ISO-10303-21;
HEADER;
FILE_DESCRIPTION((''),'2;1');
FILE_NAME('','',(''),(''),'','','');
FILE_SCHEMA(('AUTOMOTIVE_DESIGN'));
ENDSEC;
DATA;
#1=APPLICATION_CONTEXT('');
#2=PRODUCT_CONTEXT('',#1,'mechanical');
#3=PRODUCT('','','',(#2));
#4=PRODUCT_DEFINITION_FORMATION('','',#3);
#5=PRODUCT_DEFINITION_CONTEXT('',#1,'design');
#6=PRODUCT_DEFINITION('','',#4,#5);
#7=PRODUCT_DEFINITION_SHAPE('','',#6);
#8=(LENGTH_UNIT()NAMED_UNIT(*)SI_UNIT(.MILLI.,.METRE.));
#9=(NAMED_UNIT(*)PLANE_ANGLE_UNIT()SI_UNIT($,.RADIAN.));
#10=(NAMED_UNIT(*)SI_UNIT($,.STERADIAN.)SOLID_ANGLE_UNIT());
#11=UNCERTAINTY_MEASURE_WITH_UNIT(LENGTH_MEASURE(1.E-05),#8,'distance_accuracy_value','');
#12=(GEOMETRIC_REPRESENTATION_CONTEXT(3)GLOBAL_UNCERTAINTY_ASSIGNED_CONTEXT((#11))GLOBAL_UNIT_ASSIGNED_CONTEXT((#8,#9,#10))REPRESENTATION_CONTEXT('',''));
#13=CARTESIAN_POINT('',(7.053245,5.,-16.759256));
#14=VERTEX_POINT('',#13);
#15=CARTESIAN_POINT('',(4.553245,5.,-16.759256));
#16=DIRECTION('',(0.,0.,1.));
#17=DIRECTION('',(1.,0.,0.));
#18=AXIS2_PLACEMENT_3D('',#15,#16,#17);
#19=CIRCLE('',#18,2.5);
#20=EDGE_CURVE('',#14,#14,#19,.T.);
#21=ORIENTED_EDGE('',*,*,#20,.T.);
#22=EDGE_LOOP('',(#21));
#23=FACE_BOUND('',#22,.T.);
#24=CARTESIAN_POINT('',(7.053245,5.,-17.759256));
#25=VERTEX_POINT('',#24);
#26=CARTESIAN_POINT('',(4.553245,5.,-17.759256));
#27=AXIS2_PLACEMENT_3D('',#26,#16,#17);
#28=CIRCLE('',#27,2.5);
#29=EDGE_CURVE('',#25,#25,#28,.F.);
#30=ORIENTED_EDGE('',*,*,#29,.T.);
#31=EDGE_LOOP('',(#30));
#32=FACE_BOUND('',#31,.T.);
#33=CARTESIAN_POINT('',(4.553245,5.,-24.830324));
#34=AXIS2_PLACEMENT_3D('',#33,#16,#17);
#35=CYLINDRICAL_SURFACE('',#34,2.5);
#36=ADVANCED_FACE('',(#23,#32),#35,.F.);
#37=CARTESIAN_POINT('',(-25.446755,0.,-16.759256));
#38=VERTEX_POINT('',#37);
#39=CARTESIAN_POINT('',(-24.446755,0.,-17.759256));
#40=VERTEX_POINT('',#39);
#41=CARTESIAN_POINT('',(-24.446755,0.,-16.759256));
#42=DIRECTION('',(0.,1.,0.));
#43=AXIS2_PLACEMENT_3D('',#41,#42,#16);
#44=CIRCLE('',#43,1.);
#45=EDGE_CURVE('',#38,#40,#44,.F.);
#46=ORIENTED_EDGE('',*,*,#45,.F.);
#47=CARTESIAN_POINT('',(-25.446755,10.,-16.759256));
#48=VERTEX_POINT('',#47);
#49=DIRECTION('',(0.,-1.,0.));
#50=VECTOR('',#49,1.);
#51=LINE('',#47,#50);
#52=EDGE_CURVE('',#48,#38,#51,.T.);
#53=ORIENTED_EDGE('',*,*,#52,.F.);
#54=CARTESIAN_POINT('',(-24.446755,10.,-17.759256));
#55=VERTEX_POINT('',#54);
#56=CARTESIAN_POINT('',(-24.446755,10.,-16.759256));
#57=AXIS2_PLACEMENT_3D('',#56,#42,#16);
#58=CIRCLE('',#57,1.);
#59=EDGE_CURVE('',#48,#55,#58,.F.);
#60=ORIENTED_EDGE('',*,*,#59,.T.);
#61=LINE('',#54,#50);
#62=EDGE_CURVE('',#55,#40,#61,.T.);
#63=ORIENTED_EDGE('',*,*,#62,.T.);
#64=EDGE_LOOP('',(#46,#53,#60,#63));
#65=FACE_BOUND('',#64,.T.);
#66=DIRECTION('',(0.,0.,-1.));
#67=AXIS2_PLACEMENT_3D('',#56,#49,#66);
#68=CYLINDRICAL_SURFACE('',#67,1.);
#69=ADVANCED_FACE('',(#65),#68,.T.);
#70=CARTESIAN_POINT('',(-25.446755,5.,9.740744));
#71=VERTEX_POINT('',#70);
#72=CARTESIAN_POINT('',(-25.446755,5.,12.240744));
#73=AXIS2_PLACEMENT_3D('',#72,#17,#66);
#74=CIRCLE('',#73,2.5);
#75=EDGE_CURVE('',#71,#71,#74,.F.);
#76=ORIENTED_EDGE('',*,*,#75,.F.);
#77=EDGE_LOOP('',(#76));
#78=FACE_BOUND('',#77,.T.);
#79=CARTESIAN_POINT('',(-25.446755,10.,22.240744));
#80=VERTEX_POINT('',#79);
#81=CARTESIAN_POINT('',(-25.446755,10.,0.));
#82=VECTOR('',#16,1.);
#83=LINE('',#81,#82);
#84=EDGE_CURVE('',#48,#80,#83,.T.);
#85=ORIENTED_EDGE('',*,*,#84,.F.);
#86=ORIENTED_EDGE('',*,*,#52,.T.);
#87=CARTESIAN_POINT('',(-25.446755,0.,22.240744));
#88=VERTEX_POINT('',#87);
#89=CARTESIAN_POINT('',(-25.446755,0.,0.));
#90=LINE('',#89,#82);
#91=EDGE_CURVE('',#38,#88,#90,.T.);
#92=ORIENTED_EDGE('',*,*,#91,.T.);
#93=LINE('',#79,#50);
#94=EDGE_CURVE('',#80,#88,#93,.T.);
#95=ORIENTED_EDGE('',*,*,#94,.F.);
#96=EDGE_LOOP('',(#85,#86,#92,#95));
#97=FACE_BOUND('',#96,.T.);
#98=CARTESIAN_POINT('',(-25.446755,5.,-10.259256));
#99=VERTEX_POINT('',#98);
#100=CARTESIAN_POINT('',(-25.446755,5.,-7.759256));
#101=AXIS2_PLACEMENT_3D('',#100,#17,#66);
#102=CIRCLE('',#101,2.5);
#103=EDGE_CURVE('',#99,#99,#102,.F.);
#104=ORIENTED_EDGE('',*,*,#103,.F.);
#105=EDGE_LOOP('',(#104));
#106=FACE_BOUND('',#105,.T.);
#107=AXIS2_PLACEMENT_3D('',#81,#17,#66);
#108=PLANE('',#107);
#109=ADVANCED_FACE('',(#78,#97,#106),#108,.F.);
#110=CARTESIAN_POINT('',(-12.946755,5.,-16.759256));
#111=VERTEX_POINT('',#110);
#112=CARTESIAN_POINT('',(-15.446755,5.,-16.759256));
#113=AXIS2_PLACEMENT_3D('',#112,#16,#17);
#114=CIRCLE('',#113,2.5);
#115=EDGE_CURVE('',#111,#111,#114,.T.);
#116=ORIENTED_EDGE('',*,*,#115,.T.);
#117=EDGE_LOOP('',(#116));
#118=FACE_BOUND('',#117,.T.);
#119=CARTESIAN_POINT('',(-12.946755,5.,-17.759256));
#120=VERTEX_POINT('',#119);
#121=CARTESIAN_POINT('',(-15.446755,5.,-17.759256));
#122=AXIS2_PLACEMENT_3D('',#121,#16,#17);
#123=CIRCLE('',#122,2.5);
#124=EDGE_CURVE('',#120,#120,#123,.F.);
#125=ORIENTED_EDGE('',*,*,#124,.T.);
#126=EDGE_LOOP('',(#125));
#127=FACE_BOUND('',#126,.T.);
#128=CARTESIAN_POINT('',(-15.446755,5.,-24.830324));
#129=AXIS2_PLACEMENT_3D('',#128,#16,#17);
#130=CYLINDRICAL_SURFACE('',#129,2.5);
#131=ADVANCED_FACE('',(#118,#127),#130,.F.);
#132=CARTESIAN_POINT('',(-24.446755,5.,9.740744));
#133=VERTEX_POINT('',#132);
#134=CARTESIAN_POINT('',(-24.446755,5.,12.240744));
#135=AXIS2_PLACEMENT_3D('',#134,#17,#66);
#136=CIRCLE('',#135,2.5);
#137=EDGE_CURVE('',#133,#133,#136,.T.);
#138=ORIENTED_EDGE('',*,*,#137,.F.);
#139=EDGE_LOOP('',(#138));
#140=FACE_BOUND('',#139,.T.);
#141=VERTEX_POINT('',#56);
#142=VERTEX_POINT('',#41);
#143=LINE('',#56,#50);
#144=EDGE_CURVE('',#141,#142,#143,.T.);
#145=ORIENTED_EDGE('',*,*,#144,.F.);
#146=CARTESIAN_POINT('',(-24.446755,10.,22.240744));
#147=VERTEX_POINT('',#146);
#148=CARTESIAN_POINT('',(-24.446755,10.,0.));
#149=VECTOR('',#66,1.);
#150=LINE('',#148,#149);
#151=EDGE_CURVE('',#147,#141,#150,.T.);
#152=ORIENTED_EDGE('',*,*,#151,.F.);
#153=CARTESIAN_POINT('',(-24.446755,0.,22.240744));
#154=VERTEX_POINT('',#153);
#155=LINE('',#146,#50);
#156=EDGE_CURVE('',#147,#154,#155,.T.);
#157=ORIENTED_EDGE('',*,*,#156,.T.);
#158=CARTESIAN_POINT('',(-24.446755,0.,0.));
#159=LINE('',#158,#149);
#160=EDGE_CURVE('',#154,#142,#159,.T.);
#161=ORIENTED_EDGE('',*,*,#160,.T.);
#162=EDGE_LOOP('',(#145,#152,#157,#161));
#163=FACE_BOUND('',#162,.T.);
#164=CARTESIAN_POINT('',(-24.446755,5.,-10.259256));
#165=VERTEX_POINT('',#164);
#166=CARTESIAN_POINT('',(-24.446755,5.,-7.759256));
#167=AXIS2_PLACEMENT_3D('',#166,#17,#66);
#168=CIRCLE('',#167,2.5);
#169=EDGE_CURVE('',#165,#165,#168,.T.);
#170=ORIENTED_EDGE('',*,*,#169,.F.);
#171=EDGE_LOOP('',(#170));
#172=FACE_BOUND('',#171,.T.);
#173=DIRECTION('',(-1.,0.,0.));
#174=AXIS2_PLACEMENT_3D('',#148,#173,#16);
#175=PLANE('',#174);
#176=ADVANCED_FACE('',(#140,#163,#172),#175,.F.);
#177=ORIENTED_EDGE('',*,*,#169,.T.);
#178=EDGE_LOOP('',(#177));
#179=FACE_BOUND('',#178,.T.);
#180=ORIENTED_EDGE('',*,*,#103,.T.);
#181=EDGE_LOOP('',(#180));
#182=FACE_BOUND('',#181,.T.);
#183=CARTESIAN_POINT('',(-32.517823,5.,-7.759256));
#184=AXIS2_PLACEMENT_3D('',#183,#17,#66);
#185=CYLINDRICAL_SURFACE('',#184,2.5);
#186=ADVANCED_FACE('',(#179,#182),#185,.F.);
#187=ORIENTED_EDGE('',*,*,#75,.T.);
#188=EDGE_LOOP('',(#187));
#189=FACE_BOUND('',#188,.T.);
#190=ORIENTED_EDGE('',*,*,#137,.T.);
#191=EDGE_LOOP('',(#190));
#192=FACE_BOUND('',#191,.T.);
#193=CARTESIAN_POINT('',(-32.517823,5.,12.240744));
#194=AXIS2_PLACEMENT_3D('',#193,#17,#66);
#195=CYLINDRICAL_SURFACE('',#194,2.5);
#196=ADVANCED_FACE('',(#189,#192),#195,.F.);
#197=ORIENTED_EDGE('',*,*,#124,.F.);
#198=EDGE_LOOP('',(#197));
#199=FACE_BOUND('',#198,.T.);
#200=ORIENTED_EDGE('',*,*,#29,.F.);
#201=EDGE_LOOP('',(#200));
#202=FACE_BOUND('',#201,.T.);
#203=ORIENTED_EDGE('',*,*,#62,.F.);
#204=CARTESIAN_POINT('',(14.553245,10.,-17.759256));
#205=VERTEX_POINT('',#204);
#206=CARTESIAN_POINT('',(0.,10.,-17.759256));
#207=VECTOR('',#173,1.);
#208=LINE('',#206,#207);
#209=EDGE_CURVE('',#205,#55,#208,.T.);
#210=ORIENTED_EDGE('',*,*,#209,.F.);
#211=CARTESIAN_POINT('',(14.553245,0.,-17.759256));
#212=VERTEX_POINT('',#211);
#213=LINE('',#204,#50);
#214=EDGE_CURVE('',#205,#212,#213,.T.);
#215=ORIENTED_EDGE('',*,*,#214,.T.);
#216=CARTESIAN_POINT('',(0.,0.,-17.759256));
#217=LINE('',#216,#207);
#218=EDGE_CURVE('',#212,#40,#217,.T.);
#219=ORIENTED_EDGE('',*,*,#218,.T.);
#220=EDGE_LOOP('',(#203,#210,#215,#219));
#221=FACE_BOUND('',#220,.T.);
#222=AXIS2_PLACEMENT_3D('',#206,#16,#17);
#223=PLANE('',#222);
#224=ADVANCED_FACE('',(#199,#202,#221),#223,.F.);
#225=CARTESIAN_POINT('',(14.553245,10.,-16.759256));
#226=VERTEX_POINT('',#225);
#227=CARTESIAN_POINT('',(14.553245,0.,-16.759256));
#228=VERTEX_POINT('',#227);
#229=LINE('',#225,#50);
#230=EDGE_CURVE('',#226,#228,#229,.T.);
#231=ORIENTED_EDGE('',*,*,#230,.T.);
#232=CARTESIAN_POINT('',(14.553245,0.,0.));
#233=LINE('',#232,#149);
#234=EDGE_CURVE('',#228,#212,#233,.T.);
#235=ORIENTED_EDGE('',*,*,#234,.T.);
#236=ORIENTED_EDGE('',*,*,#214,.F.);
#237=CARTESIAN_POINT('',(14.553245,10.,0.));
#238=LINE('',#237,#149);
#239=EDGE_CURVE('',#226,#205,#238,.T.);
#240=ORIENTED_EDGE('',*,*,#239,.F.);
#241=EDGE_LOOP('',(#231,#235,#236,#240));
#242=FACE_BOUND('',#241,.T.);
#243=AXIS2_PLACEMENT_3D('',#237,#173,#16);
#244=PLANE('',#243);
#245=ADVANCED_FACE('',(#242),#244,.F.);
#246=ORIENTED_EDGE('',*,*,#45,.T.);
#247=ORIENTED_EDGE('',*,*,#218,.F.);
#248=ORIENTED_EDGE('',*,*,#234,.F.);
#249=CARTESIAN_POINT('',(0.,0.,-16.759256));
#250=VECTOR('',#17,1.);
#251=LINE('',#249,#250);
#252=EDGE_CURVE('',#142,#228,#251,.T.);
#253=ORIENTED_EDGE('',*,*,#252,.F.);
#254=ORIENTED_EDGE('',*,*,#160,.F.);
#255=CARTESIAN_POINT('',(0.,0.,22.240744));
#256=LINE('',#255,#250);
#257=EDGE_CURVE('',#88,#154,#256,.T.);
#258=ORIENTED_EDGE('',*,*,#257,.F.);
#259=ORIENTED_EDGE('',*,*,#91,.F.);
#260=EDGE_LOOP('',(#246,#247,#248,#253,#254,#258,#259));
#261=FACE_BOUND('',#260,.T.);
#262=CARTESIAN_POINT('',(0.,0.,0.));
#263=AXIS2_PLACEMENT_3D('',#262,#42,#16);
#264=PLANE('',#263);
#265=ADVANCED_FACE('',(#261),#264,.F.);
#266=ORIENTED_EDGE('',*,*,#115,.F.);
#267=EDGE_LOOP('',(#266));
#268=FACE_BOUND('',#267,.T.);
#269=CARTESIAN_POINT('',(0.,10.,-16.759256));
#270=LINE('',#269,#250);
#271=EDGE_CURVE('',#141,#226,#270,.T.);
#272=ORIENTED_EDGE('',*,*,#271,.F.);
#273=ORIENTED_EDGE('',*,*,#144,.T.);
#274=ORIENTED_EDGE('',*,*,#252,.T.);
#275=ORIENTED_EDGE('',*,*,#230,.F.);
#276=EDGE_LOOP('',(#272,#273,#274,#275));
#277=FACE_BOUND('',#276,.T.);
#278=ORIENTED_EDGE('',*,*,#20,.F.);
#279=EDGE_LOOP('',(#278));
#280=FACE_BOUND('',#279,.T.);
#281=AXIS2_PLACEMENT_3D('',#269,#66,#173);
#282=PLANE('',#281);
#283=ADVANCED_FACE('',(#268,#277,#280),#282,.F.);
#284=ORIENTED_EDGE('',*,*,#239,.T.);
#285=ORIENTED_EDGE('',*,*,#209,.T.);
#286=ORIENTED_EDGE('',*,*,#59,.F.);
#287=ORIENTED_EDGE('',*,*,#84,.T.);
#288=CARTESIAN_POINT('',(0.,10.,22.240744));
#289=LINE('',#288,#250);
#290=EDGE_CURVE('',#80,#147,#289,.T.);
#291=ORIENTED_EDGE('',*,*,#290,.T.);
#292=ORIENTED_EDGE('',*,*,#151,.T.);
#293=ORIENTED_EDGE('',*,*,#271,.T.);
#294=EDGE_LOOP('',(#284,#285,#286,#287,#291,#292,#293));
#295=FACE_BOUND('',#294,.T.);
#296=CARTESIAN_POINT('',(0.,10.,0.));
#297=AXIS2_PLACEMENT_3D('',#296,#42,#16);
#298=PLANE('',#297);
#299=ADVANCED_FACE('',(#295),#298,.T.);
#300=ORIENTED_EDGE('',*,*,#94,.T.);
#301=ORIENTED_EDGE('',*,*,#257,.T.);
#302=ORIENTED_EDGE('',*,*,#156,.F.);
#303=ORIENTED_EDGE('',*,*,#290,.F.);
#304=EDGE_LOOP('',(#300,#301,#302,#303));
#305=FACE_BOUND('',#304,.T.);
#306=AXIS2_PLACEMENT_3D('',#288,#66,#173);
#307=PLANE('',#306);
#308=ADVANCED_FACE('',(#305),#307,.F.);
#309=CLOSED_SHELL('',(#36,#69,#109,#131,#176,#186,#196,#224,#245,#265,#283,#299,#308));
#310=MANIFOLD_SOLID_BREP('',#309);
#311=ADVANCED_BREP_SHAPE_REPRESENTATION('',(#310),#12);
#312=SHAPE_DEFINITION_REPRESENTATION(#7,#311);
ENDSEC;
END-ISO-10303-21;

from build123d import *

# Parameters (mm, degrees)
SALIENTE_EXTRUIR1_DEPTH = 10
CROQUIS2_R              = 2.5
CORTAR_EXTRUIR1_DEPTH   = 1
CROQUIS3_R              = 2.5
CORTAR_EXTRUIR2_DEPTH   = 1


with BuildPart() as part:
    # Croquis1 → Saliente-Extruir1 (new body)
    with BuildSketch(Plane(origin=(0, 0, 0), x_dir=(1, 0, 0), z_dir=(0, 1, 0))):
        with BuildLine():
            ThreePointArc((-25.446754953, 16.759256359), (-25.153861734, 17.46636314), (-24.446754953, 17.759256359))
            Line((-24.446754953, 17.759256359), (14.553245047, 17.759256359))
            Line((14.553245047, 17.759256359), (14.553245047, 16.759256359))
            Line((14.553245047, 16.759256359), (-24.446754953, 16.759256359))
            Line((-24.446754953, 16.759256359), (-24.446754953, -22.240743641))
            Line((-24.446754953, -22.240743641), (-25.446754953, -22.240743641))
            Line((-25.446754953, -22.240743641), (-25.446754953, 16.759256359))
        make_face()
    extrude(amount=SALIENTE_EXTRUIR1_DEPTH)

    # Croquis2 → Cortar-Extruir1 (cut)
    with BuildSketch(Plane.XY.offset(-16.759256359)):
        with Locations((4.553245047, 5)):
            Circle(CROQUIS2_R)
        with Locations((-15.446754953, 5)):
            Circle(CROQUIS2_R)
    extrude(amount=-CORTAR_EXTRUIR1_DEPTH, mode=Mode.SUBTRACT)

    # Croquis3 → Cortar-Extruir2 (cut)
    with BuildSketch(Plane(origin=(-24.446754953, 0, 0), x_dir=(0, 0, -1), z_dir=(1, 0, 0))):
        with Locations((-12.240743641, 5)):
            Circle(CROQUIS3_R)
        with Locations((7.759256359, 5)):
            Circle(CROQUIS3_R)
    extrude(amount=-CORTAR_EXTRUIR2_DEPTH, mode=Mode.SUBTRACT)


solid = part.part
